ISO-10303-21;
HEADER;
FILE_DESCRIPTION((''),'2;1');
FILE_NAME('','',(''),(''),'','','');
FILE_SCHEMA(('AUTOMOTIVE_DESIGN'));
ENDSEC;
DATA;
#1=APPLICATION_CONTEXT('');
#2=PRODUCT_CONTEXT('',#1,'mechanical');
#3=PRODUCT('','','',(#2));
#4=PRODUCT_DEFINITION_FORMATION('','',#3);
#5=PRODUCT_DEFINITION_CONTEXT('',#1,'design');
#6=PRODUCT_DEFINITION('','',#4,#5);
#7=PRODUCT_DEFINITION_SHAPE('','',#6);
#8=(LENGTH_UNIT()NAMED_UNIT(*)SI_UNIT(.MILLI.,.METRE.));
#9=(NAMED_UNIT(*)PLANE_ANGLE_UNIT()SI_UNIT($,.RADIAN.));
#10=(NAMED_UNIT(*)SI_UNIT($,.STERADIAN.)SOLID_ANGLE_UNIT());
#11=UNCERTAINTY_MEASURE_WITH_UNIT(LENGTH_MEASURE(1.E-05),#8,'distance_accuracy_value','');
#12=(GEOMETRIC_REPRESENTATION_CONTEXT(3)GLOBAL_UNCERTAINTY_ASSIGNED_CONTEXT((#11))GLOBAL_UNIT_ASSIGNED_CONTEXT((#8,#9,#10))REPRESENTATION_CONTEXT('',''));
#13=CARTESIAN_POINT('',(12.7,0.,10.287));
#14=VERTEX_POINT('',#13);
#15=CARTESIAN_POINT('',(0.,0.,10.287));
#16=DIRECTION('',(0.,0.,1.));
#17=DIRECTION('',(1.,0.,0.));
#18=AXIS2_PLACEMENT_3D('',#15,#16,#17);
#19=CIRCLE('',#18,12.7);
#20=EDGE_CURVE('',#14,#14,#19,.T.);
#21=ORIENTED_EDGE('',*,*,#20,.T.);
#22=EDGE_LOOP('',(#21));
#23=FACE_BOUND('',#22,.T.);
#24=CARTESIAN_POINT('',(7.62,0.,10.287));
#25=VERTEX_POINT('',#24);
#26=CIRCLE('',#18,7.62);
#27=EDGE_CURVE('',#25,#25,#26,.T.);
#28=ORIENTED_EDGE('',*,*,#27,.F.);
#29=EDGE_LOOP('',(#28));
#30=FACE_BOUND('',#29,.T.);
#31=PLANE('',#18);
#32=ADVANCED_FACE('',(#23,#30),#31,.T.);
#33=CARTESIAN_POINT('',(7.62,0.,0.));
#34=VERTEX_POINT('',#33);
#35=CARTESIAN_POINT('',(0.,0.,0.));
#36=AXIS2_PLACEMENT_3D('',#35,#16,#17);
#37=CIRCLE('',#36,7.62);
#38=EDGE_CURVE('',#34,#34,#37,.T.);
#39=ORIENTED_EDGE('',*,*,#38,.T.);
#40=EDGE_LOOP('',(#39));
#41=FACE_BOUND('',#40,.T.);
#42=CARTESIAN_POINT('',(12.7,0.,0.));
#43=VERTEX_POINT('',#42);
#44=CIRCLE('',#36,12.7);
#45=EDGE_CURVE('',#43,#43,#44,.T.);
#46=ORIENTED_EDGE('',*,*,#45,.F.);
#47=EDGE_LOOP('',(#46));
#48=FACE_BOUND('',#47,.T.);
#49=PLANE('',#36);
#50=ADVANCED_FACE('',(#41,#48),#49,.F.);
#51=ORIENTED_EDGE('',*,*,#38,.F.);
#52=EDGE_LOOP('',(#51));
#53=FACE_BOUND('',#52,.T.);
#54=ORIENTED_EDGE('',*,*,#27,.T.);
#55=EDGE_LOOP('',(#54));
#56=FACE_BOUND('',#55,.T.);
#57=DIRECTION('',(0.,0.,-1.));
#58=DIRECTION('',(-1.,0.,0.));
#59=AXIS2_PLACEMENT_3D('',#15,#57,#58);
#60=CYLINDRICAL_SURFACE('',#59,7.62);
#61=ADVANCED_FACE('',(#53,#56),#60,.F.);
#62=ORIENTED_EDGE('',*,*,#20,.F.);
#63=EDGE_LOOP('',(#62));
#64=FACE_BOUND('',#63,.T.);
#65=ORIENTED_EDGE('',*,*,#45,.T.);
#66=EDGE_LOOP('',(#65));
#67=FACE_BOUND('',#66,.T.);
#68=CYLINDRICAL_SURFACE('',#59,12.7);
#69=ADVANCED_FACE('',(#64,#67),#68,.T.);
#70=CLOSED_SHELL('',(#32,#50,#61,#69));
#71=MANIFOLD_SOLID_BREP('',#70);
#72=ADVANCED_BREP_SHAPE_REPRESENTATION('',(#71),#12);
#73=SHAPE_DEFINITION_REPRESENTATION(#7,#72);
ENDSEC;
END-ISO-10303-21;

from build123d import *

# Parameters (mm, degrees)
SKETCH1_R           = 12.7
SKETCH1_R_2         = 7.62
BOSS_EXTRUDE1_DEPTH = 10.287


with BuildPart() as part:
    # Sketch1 → Boss-Extrude1 (new body)
    with BuildSketch(Plane.XY):
        Circle(SKETCH1_R)
        Circle(SKETCH1_R_2, mode=Mode.SUBTRACT)
    extrude(amount=BOSS_EXTRUDE1_DEPTH)


solid = part.part
